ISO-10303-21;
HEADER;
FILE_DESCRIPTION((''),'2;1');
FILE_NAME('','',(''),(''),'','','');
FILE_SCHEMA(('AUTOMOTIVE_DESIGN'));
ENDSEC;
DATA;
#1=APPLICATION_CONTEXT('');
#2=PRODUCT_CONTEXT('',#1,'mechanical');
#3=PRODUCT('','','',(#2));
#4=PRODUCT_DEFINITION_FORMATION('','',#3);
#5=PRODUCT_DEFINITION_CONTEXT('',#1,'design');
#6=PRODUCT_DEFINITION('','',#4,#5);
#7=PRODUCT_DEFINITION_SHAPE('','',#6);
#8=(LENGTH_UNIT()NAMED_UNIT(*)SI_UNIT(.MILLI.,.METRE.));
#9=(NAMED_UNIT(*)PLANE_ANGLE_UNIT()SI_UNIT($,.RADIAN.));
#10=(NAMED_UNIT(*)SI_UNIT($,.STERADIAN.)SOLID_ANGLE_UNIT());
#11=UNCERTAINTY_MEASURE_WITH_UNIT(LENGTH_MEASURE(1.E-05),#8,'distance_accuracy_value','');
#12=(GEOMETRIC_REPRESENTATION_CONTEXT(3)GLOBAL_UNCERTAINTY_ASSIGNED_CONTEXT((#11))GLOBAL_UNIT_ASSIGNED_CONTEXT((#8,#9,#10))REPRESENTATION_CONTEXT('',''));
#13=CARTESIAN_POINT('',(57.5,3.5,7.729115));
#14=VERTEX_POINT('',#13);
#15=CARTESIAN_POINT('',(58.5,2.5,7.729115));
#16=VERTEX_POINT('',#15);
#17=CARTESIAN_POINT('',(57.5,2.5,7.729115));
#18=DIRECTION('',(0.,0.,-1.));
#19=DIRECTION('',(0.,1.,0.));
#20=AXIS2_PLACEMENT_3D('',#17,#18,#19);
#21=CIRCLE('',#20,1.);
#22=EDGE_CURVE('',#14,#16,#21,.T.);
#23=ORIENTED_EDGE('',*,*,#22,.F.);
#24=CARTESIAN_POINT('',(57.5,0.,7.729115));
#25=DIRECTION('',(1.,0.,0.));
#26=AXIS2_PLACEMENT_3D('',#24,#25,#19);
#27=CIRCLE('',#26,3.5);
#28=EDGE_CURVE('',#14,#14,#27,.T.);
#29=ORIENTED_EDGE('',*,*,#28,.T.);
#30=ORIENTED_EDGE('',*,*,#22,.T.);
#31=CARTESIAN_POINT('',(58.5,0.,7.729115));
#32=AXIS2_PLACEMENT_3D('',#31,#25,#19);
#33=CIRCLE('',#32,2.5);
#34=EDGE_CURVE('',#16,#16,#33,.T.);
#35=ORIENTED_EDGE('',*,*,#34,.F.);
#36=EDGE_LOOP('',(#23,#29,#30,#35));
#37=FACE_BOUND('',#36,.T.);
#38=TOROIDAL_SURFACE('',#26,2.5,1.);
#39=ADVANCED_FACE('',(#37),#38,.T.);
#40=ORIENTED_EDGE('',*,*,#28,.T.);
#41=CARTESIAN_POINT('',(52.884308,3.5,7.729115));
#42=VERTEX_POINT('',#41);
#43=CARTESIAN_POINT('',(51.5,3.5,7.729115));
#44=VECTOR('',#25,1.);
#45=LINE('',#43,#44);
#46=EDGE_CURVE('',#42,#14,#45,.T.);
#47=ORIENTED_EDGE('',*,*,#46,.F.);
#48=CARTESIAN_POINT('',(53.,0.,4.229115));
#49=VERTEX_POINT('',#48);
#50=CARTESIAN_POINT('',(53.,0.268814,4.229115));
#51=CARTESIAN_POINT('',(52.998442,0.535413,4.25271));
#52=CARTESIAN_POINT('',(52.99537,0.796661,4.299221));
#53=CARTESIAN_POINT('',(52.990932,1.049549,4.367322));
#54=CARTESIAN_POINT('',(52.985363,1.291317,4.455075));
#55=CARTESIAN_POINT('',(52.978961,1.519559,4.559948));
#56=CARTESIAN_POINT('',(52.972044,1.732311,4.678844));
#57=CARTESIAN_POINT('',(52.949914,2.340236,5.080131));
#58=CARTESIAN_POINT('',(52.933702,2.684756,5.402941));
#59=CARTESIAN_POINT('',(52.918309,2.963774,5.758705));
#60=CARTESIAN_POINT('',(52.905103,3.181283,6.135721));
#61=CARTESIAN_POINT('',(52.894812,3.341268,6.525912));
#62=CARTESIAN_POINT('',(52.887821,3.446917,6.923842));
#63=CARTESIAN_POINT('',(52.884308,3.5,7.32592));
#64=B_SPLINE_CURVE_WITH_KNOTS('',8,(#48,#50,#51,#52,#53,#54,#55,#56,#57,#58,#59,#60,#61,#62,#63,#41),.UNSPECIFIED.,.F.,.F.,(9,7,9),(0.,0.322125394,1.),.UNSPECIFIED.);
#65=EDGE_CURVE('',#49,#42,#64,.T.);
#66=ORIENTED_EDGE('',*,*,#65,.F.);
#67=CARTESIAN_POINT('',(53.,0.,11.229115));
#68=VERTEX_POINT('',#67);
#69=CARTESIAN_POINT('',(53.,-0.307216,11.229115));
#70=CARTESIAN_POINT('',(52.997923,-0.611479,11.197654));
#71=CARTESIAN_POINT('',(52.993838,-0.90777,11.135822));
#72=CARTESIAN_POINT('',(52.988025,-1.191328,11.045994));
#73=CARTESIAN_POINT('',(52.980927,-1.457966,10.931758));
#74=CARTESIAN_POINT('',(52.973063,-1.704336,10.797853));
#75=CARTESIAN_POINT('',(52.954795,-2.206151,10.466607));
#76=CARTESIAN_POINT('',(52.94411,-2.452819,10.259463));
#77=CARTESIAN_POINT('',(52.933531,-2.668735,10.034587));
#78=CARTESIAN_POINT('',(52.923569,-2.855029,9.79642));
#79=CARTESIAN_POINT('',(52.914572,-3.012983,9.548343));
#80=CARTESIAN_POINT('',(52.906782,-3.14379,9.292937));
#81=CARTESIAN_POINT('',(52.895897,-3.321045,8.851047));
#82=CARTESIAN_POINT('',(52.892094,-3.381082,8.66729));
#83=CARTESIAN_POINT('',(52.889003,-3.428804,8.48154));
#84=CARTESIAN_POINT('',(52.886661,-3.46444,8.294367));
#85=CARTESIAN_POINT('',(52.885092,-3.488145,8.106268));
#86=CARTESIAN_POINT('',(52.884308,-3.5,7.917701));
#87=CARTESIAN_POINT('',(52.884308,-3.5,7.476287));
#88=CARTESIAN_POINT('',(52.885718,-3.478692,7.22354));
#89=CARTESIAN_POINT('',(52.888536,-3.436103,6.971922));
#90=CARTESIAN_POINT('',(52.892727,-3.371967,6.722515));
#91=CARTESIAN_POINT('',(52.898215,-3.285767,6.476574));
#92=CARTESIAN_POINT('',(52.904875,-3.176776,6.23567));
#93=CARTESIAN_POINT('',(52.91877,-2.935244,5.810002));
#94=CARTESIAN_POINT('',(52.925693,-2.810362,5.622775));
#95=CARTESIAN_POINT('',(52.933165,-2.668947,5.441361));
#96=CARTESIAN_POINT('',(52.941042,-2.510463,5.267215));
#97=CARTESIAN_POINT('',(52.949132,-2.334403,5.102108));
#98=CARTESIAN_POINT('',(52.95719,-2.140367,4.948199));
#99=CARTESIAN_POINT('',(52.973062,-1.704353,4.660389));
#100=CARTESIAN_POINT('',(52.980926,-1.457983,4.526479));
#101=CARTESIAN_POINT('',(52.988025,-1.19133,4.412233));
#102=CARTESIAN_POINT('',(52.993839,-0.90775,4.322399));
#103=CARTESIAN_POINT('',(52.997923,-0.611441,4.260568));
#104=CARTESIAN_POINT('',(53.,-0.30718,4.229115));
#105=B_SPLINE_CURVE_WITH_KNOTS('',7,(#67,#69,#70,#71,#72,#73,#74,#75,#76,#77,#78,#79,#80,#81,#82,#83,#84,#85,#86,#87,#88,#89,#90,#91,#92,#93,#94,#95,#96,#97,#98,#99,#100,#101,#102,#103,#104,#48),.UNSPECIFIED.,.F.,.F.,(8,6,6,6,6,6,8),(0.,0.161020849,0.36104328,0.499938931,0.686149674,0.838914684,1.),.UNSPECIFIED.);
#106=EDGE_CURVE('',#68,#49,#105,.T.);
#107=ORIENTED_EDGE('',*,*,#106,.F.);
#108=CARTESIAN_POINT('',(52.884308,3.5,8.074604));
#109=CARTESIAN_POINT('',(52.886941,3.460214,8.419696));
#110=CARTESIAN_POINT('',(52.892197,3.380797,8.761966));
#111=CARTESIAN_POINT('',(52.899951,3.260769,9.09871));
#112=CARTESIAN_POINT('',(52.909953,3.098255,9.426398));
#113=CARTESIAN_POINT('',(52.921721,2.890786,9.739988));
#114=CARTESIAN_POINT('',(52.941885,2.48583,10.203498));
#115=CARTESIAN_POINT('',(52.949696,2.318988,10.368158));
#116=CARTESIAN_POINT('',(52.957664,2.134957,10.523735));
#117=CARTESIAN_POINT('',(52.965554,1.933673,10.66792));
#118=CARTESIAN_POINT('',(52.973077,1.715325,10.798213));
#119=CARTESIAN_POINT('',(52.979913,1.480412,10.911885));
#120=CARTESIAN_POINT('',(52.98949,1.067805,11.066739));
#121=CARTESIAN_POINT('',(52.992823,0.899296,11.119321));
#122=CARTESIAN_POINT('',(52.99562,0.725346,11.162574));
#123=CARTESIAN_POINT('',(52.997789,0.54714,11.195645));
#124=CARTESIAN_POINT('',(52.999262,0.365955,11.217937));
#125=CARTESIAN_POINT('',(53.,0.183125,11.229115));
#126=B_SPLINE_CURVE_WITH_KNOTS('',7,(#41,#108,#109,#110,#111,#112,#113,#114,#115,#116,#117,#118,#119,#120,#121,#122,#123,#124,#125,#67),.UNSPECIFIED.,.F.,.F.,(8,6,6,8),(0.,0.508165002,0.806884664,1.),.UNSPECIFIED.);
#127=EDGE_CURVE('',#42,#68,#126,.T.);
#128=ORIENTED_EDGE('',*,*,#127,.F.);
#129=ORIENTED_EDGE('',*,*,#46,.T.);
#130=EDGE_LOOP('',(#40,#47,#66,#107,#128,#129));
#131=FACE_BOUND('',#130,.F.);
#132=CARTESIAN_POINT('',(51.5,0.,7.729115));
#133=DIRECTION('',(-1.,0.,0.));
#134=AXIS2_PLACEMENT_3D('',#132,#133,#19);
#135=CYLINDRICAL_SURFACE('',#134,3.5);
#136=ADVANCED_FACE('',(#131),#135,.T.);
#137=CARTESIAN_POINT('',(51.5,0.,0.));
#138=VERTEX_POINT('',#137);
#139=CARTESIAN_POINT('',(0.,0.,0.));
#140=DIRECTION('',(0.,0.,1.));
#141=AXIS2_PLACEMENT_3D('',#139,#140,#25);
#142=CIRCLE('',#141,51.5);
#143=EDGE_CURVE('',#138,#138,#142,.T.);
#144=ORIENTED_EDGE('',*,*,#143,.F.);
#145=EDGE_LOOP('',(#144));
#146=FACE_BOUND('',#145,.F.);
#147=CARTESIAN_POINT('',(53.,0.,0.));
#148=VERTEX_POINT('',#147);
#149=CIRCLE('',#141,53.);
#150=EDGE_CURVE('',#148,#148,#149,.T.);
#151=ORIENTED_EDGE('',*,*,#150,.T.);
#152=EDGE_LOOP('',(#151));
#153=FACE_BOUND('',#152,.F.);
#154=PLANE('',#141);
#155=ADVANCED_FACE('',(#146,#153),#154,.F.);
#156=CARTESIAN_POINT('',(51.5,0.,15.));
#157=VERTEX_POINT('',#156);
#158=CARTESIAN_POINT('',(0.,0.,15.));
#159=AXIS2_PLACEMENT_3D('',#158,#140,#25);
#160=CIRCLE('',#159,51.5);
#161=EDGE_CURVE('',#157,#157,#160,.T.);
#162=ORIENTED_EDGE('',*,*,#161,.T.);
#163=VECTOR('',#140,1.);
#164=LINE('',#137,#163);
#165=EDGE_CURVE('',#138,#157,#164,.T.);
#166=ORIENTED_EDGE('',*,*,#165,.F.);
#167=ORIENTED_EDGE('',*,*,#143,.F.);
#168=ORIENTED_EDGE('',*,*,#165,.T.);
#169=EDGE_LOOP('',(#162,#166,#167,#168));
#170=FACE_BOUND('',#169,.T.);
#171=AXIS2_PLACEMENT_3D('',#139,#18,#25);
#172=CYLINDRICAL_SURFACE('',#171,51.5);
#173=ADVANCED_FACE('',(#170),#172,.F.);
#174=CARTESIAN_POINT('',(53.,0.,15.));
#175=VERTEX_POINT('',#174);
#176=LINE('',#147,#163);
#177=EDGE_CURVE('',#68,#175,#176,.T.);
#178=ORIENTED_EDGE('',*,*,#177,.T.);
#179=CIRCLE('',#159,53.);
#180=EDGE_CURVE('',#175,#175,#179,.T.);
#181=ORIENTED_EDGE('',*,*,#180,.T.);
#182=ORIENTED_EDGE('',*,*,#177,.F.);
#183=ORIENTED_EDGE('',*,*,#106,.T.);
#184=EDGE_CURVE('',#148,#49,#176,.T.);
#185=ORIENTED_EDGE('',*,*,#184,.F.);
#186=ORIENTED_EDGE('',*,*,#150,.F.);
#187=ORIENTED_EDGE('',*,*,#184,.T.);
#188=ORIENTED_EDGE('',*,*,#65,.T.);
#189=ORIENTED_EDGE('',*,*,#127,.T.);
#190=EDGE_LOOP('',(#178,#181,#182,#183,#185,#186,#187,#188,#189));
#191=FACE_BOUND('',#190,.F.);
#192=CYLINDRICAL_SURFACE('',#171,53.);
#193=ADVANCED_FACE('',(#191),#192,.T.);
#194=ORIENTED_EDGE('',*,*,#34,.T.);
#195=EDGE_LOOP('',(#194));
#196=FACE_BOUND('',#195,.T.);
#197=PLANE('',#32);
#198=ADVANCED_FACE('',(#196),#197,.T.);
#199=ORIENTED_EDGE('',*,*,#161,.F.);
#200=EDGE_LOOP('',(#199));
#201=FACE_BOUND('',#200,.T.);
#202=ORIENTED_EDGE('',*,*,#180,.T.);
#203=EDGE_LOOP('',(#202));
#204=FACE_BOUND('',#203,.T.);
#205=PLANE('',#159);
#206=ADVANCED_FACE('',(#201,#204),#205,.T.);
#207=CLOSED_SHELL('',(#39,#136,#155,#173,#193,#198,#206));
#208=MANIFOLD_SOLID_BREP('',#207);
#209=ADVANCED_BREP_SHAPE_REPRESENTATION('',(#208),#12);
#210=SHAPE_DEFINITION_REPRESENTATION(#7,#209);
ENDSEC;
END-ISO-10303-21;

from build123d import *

# Parameters (mm, degrees)
F0_R     = 53
F0_R_2   = 51.5
F1_DEPTH = 15
F3_R     = 3.5
F4_DEPTH = 7
F5_R     = 1


with BuildPart() as f1:
    # F0 (on Top) → F1 (new body)
    with BuildSketch(Plane.XY):
        Circle(F0_R)
        Circle(F0_R_2, mode=Mode.SUBTRACT)
    extrude(amount=F1_DEPTH)

    # F3 (on offset) → F4 (join)
    with BuildSketch(Plane.YZ.offset(51.5)):
        with Locations((0, 7.729115)):
            Circle(F3_R)
    extrude(amount=F4_DEPTH)

    # F5
    f5_edges = [f1.edges().sort_by_distance(p)[0] for p in [
        (58.5, -3.5, 7.729115),
    ]]
    fillet(f5_edges, radius=F5_R)


solid = f1.part
